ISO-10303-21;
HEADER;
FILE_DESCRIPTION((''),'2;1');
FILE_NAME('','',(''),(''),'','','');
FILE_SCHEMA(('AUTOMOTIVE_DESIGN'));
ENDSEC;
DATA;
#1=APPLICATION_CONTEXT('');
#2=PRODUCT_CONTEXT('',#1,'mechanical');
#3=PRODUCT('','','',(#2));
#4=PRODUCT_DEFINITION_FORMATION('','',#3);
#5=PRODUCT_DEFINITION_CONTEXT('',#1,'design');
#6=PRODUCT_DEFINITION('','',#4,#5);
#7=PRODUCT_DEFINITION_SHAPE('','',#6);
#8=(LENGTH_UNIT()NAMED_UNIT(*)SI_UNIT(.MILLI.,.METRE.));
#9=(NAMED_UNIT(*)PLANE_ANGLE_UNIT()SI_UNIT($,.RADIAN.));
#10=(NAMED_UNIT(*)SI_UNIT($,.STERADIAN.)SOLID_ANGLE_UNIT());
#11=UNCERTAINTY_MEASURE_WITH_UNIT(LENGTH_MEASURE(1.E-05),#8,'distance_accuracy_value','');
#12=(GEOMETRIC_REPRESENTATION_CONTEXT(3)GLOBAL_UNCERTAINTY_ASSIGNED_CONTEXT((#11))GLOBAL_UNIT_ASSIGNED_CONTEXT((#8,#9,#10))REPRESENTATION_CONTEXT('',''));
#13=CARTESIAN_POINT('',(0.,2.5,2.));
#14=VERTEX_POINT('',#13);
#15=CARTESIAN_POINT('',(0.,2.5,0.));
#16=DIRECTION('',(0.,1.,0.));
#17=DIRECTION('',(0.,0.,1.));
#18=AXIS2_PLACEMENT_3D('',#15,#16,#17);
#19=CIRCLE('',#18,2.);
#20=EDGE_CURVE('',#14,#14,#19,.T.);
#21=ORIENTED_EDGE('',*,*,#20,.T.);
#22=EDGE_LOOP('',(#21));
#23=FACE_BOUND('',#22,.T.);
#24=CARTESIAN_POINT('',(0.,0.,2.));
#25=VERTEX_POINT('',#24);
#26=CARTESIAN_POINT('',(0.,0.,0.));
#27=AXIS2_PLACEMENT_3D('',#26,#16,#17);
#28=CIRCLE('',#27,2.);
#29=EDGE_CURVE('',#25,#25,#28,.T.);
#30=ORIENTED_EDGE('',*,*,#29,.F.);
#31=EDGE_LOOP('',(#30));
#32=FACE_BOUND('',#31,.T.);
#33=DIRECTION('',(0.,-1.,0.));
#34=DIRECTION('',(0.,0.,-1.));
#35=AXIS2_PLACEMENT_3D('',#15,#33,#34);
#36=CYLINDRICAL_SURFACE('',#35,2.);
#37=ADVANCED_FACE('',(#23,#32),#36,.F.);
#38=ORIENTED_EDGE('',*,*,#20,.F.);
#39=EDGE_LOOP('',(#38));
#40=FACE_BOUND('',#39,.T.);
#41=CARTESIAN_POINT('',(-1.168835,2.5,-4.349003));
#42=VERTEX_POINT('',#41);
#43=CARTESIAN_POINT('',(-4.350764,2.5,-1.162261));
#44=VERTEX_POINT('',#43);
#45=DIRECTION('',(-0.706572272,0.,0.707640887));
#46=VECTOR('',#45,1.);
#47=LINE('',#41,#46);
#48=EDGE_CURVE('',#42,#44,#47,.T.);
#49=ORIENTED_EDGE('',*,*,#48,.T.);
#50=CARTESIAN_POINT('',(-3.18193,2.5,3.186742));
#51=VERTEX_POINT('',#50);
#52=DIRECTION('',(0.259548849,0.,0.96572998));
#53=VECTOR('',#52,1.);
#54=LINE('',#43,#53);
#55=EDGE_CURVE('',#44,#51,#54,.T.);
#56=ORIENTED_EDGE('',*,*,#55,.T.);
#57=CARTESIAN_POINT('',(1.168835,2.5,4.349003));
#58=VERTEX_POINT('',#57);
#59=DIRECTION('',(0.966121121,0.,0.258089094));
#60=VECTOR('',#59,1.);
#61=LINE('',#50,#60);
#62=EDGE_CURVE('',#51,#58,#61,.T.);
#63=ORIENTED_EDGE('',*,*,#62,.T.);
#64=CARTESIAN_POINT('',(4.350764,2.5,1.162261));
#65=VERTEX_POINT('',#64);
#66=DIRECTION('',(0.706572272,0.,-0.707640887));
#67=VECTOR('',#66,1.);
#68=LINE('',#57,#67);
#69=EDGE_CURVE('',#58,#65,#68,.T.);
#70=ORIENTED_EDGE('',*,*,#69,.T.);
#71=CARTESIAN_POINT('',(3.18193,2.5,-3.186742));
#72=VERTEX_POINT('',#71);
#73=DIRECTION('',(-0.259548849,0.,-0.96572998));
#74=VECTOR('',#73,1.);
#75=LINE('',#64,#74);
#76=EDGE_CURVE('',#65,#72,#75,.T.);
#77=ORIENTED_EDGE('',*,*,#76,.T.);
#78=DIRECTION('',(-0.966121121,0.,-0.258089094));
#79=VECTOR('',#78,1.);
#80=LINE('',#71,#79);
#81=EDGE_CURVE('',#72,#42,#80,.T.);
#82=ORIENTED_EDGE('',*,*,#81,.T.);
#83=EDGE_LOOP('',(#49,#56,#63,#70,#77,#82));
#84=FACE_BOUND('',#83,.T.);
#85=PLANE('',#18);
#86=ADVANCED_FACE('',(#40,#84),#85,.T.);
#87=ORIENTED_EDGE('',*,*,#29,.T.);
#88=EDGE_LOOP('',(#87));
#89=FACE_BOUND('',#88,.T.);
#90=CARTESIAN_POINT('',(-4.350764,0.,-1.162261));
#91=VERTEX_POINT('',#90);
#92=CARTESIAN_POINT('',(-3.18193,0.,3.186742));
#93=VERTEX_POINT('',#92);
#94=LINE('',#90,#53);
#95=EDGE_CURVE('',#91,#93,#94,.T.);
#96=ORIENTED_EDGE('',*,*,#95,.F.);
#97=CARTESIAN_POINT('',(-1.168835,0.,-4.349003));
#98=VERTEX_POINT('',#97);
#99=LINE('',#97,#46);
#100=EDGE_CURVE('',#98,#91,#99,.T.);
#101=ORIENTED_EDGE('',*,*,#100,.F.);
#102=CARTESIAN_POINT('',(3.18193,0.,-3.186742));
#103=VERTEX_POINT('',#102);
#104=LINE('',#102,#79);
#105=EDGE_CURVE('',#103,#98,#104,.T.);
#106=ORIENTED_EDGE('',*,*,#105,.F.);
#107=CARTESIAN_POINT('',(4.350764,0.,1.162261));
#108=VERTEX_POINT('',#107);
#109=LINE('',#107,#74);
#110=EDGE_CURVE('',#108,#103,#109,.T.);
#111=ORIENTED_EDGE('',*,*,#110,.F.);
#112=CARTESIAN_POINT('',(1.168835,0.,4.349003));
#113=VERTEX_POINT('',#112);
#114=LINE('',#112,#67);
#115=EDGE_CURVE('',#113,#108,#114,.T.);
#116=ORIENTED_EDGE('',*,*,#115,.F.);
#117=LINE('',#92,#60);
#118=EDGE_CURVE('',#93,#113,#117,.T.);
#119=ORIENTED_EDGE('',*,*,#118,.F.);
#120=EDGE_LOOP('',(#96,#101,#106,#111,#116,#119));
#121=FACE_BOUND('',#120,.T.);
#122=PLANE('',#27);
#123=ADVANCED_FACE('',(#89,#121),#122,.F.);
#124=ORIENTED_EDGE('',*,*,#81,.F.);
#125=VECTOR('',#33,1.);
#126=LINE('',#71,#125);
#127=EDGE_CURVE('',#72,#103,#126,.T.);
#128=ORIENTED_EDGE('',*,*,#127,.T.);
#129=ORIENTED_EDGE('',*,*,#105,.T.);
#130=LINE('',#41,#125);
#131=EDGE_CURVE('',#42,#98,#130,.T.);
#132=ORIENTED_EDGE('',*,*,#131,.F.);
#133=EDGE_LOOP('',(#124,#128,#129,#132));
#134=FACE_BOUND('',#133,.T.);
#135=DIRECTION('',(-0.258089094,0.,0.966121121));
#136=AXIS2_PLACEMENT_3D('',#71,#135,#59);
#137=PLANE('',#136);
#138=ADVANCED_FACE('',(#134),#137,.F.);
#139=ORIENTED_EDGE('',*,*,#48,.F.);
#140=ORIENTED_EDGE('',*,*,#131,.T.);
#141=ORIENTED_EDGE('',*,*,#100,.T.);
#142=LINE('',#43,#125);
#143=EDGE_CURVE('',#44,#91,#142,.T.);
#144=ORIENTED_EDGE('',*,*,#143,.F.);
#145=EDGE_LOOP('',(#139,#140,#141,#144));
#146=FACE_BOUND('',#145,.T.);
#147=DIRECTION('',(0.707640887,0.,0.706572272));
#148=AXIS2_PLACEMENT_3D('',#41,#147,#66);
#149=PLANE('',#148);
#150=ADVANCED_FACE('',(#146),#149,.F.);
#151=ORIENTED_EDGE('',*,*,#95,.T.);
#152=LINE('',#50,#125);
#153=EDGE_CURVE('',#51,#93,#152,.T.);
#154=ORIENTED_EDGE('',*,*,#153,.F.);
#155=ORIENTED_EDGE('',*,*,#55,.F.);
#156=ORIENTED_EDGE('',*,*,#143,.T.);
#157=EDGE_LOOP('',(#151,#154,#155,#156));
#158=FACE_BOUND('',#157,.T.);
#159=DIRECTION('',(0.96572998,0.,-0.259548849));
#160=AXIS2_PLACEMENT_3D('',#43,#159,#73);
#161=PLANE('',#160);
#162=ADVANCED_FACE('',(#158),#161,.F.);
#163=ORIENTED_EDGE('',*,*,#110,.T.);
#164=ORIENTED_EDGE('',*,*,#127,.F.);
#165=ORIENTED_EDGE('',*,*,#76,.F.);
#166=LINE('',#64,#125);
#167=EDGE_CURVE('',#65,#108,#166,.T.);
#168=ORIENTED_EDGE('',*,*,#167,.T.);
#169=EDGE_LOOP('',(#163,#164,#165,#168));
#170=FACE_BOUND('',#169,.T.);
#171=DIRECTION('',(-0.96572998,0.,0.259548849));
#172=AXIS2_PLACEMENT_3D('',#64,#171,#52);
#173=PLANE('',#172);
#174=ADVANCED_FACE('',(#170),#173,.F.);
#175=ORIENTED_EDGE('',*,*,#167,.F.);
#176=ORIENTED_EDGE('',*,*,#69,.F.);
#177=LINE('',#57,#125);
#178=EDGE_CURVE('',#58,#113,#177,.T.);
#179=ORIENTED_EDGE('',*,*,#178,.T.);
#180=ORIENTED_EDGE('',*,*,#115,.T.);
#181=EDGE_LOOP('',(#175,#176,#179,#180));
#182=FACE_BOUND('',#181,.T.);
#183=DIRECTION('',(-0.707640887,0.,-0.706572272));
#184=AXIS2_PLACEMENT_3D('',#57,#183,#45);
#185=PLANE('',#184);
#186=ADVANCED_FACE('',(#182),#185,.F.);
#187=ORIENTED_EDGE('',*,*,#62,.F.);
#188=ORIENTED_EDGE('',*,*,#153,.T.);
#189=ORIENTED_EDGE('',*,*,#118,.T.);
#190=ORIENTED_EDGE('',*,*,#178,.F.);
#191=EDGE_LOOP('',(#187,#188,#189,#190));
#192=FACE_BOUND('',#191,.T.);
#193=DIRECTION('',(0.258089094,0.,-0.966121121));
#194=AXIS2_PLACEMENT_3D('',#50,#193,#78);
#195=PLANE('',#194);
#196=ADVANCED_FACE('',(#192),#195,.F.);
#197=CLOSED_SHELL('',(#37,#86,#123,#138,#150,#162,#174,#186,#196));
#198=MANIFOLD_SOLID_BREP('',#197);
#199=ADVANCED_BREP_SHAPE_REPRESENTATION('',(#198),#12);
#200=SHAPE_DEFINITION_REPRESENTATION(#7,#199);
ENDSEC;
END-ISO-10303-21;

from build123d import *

# Parameters (mm, degrees)
ESQUISSE1_R        = 2
BOSS_EXTRU_1_DEPTH = 2.5


with BuildPart() as part:
    # Esquisse1 → Boss.-Extru.1 (new body)
    with BuildSketch(Plane(origin=(0, 0, 0), x_dir=(1, 0, 0), z_dir=(0, 1, 0))):
        Polygon((-4.350764255, 1.1622609), (-3.181929593, -3.18674192), (1.168834662, -4.349002821), (4.350764255, -1.1622609), (3.181929593, 3.18674192), (-1.168834662, 4.349002821), align=None)
        with Locations(Location((0, 0, 0), (0, 0, 270))):
            Circle(ESQUISSE1_R, mode=Mode.SUBTRACT)
    extrude(amount=BOSS_EXTRU_1_DEPTH)


solid = part.part
